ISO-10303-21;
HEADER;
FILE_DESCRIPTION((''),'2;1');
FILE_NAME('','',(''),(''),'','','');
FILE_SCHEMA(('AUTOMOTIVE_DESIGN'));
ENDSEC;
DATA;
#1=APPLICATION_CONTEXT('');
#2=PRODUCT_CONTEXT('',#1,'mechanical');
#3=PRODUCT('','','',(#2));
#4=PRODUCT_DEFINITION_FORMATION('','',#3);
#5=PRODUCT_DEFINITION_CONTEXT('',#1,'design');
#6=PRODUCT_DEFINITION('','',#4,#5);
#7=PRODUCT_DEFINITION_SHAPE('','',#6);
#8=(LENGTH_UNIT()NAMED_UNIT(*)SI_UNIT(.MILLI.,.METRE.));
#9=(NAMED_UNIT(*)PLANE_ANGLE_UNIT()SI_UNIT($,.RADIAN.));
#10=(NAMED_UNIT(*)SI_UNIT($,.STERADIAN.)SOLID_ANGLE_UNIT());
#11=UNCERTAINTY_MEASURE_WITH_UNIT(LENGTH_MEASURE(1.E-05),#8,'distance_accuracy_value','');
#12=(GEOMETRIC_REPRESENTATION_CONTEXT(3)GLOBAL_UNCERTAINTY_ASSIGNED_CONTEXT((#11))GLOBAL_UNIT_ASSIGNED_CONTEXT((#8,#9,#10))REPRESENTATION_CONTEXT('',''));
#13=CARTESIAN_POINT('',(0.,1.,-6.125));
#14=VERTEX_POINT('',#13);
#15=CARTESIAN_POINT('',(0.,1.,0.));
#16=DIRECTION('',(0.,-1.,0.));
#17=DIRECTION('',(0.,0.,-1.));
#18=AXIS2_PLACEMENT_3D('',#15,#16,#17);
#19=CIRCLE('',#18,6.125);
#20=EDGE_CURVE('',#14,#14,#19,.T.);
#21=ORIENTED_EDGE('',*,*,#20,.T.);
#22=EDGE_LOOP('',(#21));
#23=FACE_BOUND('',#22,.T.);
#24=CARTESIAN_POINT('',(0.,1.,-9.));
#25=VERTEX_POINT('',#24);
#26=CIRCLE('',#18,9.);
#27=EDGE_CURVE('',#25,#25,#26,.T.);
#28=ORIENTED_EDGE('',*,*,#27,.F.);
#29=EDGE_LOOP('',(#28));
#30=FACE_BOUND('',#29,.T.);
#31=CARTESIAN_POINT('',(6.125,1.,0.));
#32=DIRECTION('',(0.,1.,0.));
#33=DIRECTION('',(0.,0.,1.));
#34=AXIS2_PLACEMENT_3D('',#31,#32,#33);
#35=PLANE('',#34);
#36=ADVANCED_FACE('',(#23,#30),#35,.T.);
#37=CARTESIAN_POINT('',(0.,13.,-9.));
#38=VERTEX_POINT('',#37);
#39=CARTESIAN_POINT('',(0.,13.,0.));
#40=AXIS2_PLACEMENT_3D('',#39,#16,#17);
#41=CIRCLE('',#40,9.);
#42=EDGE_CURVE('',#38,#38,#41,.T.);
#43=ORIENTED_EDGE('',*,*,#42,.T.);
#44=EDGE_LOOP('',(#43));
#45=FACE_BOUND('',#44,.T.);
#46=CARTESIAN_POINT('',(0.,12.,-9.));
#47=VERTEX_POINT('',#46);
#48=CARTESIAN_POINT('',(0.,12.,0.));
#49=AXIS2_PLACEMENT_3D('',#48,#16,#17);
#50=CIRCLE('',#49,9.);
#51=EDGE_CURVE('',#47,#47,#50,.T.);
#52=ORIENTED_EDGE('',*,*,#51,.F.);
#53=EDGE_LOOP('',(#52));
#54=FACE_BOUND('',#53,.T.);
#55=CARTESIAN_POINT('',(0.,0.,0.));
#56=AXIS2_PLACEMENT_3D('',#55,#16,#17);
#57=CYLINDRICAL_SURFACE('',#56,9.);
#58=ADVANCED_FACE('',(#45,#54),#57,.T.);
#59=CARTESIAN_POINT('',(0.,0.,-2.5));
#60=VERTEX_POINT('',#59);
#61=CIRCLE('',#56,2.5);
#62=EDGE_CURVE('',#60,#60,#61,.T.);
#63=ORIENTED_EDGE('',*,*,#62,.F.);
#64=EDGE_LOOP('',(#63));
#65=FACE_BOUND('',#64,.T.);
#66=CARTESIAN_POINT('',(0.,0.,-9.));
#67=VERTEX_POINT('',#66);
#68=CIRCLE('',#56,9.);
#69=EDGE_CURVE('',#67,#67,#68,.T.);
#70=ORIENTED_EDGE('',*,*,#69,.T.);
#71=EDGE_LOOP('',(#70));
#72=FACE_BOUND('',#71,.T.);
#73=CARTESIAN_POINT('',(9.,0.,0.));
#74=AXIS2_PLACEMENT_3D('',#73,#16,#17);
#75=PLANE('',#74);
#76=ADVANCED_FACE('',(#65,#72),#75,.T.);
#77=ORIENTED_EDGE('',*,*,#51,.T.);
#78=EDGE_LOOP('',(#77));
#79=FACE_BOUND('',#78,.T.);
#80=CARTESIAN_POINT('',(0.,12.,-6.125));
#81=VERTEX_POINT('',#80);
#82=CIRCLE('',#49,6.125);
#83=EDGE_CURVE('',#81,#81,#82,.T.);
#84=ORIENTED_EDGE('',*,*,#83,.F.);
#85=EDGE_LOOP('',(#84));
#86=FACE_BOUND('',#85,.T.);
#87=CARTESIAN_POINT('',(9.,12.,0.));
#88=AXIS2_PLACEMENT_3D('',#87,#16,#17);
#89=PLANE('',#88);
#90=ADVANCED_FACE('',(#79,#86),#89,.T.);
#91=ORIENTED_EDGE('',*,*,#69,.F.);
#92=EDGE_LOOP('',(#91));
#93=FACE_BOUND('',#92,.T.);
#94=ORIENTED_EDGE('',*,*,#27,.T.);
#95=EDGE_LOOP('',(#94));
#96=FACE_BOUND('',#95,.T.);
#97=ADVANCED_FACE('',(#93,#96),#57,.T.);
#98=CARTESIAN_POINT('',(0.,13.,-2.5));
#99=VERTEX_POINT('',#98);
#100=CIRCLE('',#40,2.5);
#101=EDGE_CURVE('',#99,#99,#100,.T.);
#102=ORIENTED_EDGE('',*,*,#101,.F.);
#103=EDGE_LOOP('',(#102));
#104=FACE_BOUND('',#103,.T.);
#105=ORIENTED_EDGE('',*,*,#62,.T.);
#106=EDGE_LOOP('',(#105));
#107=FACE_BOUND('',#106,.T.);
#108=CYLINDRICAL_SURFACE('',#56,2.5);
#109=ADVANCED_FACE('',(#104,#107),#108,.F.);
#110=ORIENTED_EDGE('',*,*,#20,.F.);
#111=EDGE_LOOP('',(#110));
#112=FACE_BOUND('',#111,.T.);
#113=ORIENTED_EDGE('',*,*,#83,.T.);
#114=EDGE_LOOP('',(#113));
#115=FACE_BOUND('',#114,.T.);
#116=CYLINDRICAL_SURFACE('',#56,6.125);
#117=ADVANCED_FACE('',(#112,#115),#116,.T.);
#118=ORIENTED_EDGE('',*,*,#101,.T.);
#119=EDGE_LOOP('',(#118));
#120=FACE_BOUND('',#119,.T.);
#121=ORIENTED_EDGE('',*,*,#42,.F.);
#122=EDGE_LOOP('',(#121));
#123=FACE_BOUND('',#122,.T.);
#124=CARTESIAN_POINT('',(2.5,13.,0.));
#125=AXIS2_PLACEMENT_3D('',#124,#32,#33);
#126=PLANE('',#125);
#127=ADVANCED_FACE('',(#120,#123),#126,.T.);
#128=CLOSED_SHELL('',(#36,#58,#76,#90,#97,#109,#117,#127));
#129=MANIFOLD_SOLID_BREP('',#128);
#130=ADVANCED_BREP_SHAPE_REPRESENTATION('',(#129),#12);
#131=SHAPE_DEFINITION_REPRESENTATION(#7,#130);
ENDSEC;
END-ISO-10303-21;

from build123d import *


with BuildPart() as part:
    # Sketch1 → Revolve1 (revolve)
    with BuildSketch(Plane.XY, mode=Mode.PRIVATE) as revolve1_sk:
        Polygon((2.5, 0), (2.5, 13), (9, 13), (9, 12), (6.125, 12), (6.125, 1), (9, 1), (9, 0), align=None)
    revolve(revolve1_sk.sketch.rotate(Axis((0, 0, 0), (0, 1, 0)), 90), axis=Axis((0, 0, 0), (0, 1, 0)))


solid = part.part
